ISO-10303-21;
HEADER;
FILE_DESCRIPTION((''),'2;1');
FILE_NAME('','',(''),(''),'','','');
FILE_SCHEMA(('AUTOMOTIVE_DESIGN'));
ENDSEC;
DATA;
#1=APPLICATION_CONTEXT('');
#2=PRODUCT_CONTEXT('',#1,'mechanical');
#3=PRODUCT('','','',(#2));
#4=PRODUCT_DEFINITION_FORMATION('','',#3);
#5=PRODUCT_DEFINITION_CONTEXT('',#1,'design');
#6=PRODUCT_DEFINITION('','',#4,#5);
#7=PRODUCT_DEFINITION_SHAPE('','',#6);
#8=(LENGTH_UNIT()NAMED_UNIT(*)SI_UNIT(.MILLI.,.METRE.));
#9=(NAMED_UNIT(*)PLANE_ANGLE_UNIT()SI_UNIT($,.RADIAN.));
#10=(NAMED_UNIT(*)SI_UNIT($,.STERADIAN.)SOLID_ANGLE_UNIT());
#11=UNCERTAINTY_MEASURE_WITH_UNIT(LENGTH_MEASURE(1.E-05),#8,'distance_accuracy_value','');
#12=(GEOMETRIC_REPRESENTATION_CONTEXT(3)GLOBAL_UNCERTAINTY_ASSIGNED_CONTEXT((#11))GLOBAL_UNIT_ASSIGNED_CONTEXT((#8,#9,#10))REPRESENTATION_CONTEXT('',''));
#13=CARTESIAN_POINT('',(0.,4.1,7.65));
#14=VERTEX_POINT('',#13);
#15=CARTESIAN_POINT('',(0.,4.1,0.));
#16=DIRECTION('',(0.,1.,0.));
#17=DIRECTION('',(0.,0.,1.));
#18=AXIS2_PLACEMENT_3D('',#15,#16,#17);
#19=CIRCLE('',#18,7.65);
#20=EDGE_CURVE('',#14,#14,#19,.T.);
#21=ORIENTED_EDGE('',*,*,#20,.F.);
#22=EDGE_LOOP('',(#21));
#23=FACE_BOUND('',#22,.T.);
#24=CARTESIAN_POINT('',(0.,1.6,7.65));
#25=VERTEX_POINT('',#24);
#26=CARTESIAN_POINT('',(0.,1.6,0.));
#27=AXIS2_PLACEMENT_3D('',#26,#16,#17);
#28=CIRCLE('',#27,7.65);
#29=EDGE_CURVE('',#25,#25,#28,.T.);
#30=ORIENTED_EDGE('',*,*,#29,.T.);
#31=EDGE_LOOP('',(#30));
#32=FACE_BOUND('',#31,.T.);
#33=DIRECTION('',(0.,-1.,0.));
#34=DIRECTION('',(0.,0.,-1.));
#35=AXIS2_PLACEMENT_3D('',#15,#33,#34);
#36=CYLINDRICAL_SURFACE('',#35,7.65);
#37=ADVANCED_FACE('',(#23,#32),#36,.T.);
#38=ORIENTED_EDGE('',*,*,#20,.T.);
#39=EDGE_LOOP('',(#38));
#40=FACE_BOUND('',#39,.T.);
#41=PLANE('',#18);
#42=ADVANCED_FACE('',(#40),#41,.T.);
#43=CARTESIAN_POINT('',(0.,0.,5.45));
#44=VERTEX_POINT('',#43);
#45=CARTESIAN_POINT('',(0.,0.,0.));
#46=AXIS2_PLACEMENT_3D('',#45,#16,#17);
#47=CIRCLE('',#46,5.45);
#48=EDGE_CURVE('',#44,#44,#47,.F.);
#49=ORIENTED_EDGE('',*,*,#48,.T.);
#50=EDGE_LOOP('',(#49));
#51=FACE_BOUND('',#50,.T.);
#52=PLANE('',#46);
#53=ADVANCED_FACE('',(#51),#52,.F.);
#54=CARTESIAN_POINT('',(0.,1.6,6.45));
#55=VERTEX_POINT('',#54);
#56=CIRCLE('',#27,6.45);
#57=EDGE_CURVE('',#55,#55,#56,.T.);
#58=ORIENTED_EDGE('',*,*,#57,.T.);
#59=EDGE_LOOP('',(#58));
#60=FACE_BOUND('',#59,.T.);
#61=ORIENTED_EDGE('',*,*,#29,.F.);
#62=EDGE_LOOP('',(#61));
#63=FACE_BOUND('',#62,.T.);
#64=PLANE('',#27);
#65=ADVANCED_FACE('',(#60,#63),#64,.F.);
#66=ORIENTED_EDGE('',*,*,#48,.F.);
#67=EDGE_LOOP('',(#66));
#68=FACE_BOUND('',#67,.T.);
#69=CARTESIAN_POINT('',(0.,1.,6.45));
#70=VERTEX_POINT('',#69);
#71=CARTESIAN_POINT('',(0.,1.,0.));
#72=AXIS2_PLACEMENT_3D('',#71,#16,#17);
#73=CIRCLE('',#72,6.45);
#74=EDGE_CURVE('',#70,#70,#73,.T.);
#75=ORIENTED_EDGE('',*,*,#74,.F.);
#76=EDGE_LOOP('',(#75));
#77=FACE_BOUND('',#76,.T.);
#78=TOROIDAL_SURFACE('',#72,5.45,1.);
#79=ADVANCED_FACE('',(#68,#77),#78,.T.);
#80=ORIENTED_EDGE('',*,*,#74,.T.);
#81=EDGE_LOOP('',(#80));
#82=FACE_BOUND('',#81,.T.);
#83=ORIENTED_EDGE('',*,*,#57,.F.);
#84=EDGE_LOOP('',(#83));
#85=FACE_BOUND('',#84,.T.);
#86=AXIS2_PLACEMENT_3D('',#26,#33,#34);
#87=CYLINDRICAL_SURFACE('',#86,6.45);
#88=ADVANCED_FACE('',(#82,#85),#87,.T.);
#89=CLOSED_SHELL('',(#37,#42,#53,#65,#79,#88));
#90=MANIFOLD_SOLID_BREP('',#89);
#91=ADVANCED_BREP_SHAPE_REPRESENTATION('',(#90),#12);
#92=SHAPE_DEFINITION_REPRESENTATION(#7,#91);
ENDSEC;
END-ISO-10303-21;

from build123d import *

# Parameters (mm, degrees)
SKETCH_1_R      = 6.45
EXTRUDE_1_DEPTH = 1.6
SKETCH_2_R      = 7.65
SKETCH_2_R_2    = 6.45
EXTRUDE_2_DEPTH = 2.5
FILLET_1_R      = 1


with BuildPart() as part:
    # Эскиз1 → Бобышка-Вытянуть1 (new body)
    with BuildSketch(Plane(origin=(0, 0, 0), x_dir=(1, 0, 0), z_dir=(0, 1, 0))):
        with Locations(Location((0, 0, 0), (0, 0, 270))):
            Circle(SKETCH_1_R)
    extrude(amount=EXTRUDE_1_DEPTH)

    # Эскиз2 → Бобышка-Вытянуть2 (add)
    # profile 1 of 2: a face of its own
    with BuildSketch(Plane(origin=(0, 1.6, 0), x_dir=(1, 0, 0), z_dir=(0, 1, 0))):
        with Locations(Location((0, 0, 0), (0, 0, 270))):
            Circle(SKETCH_2_R)
        with Locations(Location((0, 0, 0), (0, 0, 270))):
            Circle(SKETCH_2_R_2, mode=Mode.SUBTRACT)
    # profile 2 of 2: a face of its own
    with BuildSketch(Plane(origin=(0, 1.6, 0), x_dir=(1, 0, 0), z_dir=(0, 1, 0))):
        with Locations(Location((0, 0, 0), (0, 0, 270))):
            Circle(SKETCH_2_R_2)
    extrude(amount=EXTRUDE_2_DEPTH)

    # Скругление1
    fillet_1_edges = [part.edges().sort_by_distance(p)[0] for p in [
        (0, 0, -6.45),
    ]]
    fillet(fillet_1_edges, radius=FILLET_1_R)


solid = part.part
